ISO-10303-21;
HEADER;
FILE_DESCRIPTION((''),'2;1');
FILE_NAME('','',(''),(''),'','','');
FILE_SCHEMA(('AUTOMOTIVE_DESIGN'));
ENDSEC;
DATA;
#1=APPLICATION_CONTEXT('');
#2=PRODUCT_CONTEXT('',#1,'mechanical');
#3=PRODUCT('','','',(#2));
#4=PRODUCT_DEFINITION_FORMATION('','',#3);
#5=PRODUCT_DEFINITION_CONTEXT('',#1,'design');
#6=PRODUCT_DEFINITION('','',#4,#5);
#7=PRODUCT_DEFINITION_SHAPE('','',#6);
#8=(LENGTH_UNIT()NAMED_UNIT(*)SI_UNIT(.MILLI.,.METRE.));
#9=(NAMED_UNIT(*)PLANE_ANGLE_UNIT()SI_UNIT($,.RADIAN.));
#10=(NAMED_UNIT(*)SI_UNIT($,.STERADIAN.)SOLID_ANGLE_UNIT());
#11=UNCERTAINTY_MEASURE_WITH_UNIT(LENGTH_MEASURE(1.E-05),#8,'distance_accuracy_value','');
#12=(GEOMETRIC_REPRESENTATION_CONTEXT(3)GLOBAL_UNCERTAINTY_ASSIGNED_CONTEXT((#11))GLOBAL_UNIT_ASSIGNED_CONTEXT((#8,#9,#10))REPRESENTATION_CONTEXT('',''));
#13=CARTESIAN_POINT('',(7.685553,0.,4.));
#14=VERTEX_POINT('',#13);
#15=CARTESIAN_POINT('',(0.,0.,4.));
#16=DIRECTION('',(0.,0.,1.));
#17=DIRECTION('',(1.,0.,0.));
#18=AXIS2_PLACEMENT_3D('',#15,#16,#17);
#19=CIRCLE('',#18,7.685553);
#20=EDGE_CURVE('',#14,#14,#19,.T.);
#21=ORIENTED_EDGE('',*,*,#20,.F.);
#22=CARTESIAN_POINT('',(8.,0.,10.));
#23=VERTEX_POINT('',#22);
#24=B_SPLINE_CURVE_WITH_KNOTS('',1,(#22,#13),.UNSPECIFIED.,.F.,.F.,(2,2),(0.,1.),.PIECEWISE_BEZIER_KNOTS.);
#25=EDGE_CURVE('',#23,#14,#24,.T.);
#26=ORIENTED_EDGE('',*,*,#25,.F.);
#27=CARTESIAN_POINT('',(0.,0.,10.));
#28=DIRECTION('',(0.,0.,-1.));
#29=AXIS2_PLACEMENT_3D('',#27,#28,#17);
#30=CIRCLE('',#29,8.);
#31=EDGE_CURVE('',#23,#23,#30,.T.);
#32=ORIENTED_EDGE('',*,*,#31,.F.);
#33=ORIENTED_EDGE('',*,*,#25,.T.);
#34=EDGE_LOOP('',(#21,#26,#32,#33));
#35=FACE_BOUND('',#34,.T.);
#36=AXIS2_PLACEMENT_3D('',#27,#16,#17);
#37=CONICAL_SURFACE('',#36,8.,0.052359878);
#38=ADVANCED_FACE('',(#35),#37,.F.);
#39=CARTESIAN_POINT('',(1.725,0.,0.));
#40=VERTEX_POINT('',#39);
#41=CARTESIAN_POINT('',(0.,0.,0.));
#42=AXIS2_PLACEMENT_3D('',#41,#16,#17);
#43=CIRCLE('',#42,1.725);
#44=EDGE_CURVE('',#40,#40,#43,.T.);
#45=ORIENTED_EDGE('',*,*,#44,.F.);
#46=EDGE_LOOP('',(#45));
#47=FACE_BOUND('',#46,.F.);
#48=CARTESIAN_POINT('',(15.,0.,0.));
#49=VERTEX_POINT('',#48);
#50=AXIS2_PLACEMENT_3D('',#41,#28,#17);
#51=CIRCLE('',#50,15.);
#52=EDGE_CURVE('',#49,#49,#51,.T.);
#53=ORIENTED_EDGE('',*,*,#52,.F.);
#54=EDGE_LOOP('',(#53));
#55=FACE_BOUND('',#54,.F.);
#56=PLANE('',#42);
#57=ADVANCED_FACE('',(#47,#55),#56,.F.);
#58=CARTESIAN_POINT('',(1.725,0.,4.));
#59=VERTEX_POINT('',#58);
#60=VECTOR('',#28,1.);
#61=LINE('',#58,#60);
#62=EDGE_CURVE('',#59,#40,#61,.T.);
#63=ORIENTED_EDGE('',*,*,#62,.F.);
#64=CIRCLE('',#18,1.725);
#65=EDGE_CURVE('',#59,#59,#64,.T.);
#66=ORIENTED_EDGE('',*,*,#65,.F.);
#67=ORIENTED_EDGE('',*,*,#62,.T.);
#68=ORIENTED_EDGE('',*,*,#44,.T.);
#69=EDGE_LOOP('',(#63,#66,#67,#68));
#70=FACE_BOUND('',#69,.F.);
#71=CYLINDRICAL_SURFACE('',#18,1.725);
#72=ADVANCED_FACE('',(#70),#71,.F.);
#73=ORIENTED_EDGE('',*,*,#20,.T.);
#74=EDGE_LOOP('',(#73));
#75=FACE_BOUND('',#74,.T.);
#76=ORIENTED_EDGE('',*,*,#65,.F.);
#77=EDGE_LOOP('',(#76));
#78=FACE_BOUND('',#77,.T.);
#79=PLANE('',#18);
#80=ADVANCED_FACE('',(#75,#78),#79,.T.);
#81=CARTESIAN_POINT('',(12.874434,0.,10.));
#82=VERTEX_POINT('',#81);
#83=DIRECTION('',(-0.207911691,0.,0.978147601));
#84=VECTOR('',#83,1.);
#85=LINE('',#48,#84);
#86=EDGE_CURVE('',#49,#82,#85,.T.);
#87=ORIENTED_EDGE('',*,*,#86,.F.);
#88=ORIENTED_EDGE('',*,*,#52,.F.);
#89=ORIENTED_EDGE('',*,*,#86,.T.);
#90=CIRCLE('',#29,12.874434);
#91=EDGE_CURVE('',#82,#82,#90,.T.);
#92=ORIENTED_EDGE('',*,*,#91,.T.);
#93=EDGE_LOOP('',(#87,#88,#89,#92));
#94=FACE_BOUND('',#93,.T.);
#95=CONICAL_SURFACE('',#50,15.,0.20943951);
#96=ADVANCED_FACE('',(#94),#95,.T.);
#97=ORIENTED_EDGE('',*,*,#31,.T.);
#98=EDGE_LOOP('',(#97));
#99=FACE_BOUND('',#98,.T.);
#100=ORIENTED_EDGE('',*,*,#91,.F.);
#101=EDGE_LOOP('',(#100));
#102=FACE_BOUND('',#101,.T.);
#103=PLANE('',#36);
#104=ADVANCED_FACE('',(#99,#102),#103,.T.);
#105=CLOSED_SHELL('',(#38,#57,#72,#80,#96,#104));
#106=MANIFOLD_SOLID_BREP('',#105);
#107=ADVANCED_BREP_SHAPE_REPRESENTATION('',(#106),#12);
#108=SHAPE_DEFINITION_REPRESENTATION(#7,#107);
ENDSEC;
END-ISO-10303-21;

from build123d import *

# Parameters (mm, degrees)
F0_R     = 15
F1_DEPTH = 10
F1_TAPER = 12
F2_R     = 8
F3_DEPTH = 6
F3_TAPER = 3
F4_R     = 1.725
F5_DEPTH = 4


with BuildPart() as f1:
    # F0 (on Top) → F1 (new body)
    with BuildSketch(Plane.XY):
        Circle(F0_R)
    extrude(amount=F1_DEPTH, taper=F1_TAPER)

    # F2 (on face) → F3 (cut)
    with BuildSketch(Plane.XY.offset(10)):
        Circle(F2_R)
    extrude(amount=-F3_DEPTH, taper=F3_TAPER, mode=Mode.SUBTRACT)

    # F4 (on face) → F5 (cut, through all)
    with BuildSketch(Plane.XY.offset(4)):
        Circle(F4_R)
    extrude(amount=-F5_DEPTH, mode=Mode.SUBTRACT)


solid = f1.part
